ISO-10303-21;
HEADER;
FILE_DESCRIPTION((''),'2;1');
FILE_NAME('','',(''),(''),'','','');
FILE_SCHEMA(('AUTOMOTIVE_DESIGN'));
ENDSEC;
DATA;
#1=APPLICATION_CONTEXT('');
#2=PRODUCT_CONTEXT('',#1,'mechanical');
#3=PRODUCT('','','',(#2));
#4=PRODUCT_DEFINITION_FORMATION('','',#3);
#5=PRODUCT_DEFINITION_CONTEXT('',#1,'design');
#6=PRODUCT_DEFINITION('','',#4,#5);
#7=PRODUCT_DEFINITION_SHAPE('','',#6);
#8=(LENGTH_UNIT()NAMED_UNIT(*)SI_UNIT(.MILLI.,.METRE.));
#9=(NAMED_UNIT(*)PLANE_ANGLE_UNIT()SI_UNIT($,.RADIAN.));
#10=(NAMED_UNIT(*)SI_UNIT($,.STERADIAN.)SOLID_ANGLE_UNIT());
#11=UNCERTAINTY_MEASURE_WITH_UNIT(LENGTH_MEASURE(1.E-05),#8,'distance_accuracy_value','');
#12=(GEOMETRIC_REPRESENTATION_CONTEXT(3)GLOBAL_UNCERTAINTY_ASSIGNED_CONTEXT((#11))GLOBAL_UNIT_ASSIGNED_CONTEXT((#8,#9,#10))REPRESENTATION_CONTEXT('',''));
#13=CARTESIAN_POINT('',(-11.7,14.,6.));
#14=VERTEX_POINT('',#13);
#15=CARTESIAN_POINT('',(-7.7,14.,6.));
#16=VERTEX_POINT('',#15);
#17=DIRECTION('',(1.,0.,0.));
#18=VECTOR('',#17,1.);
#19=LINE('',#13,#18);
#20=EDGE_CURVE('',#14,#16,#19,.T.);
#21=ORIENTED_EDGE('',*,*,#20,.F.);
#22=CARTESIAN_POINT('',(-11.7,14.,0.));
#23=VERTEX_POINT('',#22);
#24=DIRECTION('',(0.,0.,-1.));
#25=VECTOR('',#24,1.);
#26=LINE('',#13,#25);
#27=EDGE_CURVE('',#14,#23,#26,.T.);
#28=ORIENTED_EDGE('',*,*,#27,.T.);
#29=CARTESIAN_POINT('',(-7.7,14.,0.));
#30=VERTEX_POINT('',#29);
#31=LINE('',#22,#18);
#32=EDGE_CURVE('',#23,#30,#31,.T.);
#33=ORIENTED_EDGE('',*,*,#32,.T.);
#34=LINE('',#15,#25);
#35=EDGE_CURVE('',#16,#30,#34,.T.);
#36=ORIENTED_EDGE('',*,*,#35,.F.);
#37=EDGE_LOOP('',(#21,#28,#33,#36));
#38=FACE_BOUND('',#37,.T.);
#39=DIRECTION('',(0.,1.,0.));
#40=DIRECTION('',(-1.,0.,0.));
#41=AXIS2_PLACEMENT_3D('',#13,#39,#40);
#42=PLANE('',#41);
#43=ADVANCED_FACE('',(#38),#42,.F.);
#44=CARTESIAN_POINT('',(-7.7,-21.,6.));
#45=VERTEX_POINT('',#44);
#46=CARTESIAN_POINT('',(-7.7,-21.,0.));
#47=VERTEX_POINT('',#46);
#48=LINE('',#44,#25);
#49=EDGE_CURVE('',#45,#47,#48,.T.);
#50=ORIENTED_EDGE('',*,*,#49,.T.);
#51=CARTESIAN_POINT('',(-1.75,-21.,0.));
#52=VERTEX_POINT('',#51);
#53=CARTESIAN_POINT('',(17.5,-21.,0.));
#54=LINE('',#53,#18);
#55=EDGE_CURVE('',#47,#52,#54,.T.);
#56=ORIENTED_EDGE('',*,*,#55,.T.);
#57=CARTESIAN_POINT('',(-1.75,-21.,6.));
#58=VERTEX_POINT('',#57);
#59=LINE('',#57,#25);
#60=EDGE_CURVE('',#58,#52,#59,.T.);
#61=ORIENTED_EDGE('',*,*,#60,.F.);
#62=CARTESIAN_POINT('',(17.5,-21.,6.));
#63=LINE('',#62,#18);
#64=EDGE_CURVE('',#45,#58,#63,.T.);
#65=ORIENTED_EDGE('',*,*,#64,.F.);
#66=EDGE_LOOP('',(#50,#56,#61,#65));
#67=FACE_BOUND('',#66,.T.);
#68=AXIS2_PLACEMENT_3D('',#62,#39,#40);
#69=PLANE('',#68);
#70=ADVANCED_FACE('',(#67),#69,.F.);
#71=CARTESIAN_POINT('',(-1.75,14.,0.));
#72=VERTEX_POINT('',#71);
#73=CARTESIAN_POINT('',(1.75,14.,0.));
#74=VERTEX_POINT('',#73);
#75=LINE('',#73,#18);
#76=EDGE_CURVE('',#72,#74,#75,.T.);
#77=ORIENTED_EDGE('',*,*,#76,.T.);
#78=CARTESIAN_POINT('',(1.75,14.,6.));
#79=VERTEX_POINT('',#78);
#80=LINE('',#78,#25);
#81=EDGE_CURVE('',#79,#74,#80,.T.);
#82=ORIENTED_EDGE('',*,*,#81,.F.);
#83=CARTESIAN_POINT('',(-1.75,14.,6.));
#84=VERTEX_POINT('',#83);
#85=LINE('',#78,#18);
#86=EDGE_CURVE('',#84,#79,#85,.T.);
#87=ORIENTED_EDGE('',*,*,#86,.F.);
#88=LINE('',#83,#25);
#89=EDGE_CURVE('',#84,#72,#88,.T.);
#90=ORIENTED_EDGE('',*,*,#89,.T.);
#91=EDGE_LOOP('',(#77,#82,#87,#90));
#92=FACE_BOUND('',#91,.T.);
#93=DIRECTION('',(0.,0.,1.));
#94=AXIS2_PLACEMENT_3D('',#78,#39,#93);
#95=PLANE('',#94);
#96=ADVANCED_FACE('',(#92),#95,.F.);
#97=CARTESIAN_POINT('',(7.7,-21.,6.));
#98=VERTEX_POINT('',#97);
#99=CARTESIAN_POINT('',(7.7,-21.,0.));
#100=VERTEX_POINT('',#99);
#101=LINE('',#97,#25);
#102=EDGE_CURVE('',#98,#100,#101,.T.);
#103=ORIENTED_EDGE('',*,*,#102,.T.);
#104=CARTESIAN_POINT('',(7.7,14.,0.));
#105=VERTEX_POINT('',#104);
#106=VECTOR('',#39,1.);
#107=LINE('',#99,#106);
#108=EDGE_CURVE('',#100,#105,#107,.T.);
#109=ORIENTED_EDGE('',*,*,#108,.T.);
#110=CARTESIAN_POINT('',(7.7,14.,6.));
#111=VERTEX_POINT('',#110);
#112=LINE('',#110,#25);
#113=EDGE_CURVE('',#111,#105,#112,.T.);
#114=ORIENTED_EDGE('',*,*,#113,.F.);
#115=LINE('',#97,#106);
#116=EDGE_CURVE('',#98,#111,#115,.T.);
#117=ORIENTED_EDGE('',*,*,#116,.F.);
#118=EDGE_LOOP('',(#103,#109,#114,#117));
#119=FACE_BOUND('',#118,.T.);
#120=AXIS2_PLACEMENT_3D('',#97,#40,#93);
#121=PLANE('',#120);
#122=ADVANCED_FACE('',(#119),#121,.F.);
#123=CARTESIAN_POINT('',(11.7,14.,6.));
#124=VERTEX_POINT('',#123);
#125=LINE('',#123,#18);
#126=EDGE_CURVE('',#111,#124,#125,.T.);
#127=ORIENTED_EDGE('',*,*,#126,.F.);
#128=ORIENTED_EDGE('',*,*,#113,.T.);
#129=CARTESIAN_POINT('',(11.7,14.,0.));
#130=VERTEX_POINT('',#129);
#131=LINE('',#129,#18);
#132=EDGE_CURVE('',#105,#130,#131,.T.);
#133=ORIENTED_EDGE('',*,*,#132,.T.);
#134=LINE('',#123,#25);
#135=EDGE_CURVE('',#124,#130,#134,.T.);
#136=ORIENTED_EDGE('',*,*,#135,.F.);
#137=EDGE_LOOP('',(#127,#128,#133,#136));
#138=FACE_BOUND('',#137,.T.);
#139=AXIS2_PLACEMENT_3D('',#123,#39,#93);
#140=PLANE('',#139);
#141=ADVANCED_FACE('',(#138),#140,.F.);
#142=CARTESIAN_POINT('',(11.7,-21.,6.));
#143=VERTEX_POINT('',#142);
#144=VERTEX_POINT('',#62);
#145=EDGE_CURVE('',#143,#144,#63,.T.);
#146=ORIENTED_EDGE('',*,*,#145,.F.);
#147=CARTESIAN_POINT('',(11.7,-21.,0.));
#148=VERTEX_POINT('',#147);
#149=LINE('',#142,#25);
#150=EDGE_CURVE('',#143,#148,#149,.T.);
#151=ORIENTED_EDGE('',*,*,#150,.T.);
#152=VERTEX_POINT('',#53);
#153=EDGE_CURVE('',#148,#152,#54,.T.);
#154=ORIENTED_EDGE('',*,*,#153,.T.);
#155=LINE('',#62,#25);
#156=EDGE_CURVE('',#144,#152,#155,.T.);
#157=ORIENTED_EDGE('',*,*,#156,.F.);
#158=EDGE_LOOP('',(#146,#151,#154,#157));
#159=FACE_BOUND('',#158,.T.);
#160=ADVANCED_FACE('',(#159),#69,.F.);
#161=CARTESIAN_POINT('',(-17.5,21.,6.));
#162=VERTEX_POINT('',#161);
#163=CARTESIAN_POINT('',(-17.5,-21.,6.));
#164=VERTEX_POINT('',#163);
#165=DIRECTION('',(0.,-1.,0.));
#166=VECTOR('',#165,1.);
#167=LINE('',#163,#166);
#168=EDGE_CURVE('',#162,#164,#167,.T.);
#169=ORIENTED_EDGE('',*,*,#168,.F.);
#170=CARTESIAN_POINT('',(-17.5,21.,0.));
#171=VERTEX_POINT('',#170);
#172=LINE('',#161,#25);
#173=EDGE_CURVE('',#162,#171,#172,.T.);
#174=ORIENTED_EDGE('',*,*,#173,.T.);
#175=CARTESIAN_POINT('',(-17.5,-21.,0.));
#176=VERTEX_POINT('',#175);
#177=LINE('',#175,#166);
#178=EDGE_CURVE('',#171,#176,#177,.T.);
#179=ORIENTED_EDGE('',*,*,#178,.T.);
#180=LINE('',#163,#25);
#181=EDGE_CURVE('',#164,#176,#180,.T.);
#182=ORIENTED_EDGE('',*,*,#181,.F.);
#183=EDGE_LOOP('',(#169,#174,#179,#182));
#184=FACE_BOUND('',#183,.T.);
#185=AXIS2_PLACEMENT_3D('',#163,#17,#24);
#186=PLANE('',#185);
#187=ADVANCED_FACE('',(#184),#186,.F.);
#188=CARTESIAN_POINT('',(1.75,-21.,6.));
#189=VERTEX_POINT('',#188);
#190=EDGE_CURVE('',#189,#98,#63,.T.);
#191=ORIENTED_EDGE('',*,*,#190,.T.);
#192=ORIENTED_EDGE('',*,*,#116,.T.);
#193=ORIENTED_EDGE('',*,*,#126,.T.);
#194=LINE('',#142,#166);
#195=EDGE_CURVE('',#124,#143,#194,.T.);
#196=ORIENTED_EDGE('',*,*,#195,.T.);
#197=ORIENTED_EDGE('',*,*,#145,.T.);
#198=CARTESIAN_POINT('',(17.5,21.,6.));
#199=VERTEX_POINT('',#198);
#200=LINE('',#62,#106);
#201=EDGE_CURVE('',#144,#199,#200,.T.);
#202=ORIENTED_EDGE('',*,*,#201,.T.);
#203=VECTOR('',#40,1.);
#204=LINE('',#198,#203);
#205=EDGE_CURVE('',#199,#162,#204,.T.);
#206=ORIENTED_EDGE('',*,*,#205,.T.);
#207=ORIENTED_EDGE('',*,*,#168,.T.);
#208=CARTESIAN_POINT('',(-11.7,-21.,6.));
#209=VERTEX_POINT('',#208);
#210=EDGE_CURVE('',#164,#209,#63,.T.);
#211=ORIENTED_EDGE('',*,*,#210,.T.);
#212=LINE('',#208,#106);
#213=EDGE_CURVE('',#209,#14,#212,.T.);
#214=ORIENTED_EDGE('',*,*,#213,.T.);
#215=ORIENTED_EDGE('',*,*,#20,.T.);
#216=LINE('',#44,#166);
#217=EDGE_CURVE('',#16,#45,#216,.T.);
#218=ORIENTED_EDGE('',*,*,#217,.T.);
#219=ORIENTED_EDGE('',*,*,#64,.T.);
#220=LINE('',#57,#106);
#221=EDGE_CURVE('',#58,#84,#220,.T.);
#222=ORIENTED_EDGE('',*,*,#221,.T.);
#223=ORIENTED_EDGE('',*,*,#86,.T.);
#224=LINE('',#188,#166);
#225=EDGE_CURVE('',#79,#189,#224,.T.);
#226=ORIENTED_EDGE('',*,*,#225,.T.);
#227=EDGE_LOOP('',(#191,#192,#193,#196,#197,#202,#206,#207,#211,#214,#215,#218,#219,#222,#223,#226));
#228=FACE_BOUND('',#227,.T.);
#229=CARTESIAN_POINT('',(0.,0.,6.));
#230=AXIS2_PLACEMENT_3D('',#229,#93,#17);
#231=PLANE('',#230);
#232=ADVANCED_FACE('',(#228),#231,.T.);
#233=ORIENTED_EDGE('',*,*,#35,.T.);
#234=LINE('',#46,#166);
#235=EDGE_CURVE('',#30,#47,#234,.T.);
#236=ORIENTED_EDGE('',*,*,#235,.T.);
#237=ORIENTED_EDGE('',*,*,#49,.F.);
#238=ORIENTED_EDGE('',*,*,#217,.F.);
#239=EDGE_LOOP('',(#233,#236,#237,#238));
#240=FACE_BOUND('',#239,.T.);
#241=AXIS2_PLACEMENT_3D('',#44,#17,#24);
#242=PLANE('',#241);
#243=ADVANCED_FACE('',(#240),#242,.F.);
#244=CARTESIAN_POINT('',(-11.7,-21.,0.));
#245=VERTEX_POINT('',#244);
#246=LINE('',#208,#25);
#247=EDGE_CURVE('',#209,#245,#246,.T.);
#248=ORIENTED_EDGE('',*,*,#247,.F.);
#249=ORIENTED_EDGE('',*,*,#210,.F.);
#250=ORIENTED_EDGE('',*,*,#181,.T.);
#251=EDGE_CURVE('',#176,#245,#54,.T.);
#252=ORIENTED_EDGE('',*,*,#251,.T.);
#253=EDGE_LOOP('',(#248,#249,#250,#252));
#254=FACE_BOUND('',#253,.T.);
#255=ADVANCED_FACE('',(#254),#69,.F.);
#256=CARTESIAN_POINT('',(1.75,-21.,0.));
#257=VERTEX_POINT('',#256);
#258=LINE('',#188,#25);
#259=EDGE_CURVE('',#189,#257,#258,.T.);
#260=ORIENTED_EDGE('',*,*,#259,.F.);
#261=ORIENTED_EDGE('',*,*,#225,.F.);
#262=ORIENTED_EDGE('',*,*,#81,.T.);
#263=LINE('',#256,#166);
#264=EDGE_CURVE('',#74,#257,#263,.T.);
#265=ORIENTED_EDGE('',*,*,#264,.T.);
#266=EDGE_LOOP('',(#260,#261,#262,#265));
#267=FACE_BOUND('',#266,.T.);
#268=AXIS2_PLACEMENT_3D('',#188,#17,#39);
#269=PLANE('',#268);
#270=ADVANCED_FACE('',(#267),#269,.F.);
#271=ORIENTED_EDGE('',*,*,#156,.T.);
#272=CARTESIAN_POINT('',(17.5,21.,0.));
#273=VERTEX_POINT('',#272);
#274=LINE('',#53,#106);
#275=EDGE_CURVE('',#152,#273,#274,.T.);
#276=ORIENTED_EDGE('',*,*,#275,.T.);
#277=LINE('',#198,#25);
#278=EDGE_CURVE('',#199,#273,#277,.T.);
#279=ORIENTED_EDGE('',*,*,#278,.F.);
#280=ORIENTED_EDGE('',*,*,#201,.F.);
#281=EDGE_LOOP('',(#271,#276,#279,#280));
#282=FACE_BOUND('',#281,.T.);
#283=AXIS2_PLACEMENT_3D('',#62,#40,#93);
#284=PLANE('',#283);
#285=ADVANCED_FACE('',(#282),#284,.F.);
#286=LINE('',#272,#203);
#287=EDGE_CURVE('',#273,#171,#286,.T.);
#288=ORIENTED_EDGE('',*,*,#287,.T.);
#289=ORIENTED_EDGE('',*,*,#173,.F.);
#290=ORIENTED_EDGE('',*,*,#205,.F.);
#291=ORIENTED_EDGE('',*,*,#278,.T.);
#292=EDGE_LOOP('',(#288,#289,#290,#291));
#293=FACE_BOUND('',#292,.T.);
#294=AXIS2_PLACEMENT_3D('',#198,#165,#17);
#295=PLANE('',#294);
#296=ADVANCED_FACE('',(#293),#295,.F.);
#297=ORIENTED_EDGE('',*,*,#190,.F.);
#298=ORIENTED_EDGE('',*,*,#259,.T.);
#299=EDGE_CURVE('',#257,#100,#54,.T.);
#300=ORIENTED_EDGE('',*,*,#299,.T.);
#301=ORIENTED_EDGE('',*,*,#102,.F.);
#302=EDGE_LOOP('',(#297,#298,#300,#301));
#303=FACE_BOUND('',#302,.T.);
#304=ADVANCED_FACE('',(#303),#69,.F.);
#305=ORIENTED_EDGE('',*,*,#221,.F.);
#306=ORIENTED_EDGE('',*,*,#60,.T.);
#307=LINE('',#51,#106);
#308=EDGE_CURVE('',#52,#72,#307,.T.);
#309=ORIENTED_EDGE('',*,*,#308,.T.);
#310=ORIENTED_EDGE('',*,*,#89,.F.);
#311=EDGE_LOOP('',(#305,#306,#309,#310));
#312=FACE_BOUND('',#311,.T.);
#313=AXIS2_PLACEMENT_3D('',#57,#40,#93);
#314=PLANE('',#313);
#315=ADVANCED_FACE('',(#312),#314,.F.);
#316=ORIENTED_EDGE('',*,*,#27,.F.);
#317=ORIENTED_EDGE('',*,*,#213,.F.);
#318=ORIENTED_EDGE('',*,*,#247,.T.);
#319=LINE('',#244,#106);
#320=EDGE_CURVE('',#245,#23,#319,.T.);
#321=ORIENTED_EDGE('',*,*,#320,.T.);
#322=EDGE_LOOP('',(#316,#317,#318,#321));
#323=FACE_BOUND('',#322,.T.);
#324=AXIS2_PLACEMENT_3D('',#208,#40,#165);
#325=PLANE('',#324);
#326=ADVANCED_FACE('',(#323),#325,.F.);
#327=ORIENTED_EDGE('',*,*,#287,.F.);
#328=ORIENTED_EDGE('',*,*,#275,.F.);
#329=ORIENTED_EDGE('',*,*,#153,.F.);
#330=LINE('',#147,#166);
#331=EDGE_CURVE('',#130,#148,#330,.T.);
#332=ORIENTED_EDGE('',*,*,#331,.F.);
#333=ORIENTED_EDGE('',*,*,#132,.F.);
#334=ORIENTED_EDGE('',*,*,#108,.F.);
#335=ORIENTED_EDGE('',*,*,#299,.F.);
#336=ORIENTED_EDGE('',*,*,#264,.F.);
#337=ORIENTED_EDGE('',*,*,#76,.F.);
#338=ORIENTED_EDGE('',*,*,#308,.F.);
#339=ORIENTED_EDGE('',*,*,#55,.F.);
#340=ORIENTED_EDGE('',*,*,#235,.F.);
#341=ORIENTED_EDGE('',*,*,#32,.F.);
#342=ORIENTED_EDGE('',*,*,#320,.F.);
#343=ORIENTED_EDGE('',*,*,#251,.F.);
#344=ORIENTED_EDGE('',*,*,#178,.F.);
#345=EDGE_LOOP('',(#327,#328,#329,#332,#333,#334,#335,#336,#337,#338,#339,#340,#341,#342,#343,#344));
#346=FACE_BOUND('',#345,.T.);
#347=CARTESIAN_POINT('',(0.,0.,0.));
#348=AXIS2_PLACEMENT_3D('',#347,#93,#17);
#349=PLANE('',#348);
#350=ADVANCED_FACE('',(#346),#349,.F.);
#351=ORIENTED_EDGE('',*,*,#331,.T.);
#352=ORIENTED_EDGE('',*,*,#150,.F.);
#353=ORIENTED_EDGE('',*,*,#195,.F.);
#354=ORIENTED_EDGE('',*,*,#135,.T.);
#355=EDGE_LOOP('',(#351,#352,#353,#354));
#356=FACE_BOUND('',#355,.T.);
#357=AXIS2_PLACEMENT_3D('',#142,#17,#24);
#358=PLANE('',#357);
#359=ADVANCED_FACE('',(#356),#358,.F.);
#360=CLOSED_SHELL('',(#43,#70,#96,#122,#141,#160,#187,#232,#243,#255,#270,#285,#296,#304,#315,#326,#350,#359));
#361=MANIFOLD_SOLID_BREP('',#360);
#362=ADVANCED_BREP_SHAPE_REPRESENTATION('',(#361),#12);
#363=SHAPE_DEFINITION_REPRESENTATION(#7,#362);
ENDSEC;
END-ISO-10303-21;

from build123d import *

# Parameters (mm, degrees)
ESQUISSE1_W             = 35
ESQUISSE1_H             = 42
BOSS_EXTRU_1_DEPTH      = 6
ESQUISSE2_W             = 4
ESQUISSE2_H             = 35
ESQUISSE2_W_2           = 3.5
ENL_V_MAT_EXTRU_1_DEPTH = 6


with BuildPart() as part:
    # Esquisse1 → Boss.-Extru.1 (new body)
    with BuildSketch(Plane.XY):
        Rectangle(ESQUISSE1_W, ESQUISSE1_H)
    extrude(amount=BOSS_EXTRU_1_DEPTH)

    # Esquisse2 → Enlèv. mat.-Extru.1 (cut)
    with BuildSketch(Plane(origin=(0, 0, 0), x_dir=(-1, 0, 0), z_dir=(0, 0, -1))):
        with Locations((-9.7, -3.5)):
            Rectangle(ESQUISSE2_W, ESQUISSE2_H)
        with Locations((9.7, -3.5)):
            Rectangle(ESQUISSE2_W, ESQUISSE2_H)
        with Locations((0, -3.5)):
            Rectangle(ESQUISSE2_W_2, ESQUISSE2_H)
    extrude(amount=-ENL_V_MAT_EXTRU_1_DEPTH, mode=Mode.SUBTRACT)


solid = part.part
